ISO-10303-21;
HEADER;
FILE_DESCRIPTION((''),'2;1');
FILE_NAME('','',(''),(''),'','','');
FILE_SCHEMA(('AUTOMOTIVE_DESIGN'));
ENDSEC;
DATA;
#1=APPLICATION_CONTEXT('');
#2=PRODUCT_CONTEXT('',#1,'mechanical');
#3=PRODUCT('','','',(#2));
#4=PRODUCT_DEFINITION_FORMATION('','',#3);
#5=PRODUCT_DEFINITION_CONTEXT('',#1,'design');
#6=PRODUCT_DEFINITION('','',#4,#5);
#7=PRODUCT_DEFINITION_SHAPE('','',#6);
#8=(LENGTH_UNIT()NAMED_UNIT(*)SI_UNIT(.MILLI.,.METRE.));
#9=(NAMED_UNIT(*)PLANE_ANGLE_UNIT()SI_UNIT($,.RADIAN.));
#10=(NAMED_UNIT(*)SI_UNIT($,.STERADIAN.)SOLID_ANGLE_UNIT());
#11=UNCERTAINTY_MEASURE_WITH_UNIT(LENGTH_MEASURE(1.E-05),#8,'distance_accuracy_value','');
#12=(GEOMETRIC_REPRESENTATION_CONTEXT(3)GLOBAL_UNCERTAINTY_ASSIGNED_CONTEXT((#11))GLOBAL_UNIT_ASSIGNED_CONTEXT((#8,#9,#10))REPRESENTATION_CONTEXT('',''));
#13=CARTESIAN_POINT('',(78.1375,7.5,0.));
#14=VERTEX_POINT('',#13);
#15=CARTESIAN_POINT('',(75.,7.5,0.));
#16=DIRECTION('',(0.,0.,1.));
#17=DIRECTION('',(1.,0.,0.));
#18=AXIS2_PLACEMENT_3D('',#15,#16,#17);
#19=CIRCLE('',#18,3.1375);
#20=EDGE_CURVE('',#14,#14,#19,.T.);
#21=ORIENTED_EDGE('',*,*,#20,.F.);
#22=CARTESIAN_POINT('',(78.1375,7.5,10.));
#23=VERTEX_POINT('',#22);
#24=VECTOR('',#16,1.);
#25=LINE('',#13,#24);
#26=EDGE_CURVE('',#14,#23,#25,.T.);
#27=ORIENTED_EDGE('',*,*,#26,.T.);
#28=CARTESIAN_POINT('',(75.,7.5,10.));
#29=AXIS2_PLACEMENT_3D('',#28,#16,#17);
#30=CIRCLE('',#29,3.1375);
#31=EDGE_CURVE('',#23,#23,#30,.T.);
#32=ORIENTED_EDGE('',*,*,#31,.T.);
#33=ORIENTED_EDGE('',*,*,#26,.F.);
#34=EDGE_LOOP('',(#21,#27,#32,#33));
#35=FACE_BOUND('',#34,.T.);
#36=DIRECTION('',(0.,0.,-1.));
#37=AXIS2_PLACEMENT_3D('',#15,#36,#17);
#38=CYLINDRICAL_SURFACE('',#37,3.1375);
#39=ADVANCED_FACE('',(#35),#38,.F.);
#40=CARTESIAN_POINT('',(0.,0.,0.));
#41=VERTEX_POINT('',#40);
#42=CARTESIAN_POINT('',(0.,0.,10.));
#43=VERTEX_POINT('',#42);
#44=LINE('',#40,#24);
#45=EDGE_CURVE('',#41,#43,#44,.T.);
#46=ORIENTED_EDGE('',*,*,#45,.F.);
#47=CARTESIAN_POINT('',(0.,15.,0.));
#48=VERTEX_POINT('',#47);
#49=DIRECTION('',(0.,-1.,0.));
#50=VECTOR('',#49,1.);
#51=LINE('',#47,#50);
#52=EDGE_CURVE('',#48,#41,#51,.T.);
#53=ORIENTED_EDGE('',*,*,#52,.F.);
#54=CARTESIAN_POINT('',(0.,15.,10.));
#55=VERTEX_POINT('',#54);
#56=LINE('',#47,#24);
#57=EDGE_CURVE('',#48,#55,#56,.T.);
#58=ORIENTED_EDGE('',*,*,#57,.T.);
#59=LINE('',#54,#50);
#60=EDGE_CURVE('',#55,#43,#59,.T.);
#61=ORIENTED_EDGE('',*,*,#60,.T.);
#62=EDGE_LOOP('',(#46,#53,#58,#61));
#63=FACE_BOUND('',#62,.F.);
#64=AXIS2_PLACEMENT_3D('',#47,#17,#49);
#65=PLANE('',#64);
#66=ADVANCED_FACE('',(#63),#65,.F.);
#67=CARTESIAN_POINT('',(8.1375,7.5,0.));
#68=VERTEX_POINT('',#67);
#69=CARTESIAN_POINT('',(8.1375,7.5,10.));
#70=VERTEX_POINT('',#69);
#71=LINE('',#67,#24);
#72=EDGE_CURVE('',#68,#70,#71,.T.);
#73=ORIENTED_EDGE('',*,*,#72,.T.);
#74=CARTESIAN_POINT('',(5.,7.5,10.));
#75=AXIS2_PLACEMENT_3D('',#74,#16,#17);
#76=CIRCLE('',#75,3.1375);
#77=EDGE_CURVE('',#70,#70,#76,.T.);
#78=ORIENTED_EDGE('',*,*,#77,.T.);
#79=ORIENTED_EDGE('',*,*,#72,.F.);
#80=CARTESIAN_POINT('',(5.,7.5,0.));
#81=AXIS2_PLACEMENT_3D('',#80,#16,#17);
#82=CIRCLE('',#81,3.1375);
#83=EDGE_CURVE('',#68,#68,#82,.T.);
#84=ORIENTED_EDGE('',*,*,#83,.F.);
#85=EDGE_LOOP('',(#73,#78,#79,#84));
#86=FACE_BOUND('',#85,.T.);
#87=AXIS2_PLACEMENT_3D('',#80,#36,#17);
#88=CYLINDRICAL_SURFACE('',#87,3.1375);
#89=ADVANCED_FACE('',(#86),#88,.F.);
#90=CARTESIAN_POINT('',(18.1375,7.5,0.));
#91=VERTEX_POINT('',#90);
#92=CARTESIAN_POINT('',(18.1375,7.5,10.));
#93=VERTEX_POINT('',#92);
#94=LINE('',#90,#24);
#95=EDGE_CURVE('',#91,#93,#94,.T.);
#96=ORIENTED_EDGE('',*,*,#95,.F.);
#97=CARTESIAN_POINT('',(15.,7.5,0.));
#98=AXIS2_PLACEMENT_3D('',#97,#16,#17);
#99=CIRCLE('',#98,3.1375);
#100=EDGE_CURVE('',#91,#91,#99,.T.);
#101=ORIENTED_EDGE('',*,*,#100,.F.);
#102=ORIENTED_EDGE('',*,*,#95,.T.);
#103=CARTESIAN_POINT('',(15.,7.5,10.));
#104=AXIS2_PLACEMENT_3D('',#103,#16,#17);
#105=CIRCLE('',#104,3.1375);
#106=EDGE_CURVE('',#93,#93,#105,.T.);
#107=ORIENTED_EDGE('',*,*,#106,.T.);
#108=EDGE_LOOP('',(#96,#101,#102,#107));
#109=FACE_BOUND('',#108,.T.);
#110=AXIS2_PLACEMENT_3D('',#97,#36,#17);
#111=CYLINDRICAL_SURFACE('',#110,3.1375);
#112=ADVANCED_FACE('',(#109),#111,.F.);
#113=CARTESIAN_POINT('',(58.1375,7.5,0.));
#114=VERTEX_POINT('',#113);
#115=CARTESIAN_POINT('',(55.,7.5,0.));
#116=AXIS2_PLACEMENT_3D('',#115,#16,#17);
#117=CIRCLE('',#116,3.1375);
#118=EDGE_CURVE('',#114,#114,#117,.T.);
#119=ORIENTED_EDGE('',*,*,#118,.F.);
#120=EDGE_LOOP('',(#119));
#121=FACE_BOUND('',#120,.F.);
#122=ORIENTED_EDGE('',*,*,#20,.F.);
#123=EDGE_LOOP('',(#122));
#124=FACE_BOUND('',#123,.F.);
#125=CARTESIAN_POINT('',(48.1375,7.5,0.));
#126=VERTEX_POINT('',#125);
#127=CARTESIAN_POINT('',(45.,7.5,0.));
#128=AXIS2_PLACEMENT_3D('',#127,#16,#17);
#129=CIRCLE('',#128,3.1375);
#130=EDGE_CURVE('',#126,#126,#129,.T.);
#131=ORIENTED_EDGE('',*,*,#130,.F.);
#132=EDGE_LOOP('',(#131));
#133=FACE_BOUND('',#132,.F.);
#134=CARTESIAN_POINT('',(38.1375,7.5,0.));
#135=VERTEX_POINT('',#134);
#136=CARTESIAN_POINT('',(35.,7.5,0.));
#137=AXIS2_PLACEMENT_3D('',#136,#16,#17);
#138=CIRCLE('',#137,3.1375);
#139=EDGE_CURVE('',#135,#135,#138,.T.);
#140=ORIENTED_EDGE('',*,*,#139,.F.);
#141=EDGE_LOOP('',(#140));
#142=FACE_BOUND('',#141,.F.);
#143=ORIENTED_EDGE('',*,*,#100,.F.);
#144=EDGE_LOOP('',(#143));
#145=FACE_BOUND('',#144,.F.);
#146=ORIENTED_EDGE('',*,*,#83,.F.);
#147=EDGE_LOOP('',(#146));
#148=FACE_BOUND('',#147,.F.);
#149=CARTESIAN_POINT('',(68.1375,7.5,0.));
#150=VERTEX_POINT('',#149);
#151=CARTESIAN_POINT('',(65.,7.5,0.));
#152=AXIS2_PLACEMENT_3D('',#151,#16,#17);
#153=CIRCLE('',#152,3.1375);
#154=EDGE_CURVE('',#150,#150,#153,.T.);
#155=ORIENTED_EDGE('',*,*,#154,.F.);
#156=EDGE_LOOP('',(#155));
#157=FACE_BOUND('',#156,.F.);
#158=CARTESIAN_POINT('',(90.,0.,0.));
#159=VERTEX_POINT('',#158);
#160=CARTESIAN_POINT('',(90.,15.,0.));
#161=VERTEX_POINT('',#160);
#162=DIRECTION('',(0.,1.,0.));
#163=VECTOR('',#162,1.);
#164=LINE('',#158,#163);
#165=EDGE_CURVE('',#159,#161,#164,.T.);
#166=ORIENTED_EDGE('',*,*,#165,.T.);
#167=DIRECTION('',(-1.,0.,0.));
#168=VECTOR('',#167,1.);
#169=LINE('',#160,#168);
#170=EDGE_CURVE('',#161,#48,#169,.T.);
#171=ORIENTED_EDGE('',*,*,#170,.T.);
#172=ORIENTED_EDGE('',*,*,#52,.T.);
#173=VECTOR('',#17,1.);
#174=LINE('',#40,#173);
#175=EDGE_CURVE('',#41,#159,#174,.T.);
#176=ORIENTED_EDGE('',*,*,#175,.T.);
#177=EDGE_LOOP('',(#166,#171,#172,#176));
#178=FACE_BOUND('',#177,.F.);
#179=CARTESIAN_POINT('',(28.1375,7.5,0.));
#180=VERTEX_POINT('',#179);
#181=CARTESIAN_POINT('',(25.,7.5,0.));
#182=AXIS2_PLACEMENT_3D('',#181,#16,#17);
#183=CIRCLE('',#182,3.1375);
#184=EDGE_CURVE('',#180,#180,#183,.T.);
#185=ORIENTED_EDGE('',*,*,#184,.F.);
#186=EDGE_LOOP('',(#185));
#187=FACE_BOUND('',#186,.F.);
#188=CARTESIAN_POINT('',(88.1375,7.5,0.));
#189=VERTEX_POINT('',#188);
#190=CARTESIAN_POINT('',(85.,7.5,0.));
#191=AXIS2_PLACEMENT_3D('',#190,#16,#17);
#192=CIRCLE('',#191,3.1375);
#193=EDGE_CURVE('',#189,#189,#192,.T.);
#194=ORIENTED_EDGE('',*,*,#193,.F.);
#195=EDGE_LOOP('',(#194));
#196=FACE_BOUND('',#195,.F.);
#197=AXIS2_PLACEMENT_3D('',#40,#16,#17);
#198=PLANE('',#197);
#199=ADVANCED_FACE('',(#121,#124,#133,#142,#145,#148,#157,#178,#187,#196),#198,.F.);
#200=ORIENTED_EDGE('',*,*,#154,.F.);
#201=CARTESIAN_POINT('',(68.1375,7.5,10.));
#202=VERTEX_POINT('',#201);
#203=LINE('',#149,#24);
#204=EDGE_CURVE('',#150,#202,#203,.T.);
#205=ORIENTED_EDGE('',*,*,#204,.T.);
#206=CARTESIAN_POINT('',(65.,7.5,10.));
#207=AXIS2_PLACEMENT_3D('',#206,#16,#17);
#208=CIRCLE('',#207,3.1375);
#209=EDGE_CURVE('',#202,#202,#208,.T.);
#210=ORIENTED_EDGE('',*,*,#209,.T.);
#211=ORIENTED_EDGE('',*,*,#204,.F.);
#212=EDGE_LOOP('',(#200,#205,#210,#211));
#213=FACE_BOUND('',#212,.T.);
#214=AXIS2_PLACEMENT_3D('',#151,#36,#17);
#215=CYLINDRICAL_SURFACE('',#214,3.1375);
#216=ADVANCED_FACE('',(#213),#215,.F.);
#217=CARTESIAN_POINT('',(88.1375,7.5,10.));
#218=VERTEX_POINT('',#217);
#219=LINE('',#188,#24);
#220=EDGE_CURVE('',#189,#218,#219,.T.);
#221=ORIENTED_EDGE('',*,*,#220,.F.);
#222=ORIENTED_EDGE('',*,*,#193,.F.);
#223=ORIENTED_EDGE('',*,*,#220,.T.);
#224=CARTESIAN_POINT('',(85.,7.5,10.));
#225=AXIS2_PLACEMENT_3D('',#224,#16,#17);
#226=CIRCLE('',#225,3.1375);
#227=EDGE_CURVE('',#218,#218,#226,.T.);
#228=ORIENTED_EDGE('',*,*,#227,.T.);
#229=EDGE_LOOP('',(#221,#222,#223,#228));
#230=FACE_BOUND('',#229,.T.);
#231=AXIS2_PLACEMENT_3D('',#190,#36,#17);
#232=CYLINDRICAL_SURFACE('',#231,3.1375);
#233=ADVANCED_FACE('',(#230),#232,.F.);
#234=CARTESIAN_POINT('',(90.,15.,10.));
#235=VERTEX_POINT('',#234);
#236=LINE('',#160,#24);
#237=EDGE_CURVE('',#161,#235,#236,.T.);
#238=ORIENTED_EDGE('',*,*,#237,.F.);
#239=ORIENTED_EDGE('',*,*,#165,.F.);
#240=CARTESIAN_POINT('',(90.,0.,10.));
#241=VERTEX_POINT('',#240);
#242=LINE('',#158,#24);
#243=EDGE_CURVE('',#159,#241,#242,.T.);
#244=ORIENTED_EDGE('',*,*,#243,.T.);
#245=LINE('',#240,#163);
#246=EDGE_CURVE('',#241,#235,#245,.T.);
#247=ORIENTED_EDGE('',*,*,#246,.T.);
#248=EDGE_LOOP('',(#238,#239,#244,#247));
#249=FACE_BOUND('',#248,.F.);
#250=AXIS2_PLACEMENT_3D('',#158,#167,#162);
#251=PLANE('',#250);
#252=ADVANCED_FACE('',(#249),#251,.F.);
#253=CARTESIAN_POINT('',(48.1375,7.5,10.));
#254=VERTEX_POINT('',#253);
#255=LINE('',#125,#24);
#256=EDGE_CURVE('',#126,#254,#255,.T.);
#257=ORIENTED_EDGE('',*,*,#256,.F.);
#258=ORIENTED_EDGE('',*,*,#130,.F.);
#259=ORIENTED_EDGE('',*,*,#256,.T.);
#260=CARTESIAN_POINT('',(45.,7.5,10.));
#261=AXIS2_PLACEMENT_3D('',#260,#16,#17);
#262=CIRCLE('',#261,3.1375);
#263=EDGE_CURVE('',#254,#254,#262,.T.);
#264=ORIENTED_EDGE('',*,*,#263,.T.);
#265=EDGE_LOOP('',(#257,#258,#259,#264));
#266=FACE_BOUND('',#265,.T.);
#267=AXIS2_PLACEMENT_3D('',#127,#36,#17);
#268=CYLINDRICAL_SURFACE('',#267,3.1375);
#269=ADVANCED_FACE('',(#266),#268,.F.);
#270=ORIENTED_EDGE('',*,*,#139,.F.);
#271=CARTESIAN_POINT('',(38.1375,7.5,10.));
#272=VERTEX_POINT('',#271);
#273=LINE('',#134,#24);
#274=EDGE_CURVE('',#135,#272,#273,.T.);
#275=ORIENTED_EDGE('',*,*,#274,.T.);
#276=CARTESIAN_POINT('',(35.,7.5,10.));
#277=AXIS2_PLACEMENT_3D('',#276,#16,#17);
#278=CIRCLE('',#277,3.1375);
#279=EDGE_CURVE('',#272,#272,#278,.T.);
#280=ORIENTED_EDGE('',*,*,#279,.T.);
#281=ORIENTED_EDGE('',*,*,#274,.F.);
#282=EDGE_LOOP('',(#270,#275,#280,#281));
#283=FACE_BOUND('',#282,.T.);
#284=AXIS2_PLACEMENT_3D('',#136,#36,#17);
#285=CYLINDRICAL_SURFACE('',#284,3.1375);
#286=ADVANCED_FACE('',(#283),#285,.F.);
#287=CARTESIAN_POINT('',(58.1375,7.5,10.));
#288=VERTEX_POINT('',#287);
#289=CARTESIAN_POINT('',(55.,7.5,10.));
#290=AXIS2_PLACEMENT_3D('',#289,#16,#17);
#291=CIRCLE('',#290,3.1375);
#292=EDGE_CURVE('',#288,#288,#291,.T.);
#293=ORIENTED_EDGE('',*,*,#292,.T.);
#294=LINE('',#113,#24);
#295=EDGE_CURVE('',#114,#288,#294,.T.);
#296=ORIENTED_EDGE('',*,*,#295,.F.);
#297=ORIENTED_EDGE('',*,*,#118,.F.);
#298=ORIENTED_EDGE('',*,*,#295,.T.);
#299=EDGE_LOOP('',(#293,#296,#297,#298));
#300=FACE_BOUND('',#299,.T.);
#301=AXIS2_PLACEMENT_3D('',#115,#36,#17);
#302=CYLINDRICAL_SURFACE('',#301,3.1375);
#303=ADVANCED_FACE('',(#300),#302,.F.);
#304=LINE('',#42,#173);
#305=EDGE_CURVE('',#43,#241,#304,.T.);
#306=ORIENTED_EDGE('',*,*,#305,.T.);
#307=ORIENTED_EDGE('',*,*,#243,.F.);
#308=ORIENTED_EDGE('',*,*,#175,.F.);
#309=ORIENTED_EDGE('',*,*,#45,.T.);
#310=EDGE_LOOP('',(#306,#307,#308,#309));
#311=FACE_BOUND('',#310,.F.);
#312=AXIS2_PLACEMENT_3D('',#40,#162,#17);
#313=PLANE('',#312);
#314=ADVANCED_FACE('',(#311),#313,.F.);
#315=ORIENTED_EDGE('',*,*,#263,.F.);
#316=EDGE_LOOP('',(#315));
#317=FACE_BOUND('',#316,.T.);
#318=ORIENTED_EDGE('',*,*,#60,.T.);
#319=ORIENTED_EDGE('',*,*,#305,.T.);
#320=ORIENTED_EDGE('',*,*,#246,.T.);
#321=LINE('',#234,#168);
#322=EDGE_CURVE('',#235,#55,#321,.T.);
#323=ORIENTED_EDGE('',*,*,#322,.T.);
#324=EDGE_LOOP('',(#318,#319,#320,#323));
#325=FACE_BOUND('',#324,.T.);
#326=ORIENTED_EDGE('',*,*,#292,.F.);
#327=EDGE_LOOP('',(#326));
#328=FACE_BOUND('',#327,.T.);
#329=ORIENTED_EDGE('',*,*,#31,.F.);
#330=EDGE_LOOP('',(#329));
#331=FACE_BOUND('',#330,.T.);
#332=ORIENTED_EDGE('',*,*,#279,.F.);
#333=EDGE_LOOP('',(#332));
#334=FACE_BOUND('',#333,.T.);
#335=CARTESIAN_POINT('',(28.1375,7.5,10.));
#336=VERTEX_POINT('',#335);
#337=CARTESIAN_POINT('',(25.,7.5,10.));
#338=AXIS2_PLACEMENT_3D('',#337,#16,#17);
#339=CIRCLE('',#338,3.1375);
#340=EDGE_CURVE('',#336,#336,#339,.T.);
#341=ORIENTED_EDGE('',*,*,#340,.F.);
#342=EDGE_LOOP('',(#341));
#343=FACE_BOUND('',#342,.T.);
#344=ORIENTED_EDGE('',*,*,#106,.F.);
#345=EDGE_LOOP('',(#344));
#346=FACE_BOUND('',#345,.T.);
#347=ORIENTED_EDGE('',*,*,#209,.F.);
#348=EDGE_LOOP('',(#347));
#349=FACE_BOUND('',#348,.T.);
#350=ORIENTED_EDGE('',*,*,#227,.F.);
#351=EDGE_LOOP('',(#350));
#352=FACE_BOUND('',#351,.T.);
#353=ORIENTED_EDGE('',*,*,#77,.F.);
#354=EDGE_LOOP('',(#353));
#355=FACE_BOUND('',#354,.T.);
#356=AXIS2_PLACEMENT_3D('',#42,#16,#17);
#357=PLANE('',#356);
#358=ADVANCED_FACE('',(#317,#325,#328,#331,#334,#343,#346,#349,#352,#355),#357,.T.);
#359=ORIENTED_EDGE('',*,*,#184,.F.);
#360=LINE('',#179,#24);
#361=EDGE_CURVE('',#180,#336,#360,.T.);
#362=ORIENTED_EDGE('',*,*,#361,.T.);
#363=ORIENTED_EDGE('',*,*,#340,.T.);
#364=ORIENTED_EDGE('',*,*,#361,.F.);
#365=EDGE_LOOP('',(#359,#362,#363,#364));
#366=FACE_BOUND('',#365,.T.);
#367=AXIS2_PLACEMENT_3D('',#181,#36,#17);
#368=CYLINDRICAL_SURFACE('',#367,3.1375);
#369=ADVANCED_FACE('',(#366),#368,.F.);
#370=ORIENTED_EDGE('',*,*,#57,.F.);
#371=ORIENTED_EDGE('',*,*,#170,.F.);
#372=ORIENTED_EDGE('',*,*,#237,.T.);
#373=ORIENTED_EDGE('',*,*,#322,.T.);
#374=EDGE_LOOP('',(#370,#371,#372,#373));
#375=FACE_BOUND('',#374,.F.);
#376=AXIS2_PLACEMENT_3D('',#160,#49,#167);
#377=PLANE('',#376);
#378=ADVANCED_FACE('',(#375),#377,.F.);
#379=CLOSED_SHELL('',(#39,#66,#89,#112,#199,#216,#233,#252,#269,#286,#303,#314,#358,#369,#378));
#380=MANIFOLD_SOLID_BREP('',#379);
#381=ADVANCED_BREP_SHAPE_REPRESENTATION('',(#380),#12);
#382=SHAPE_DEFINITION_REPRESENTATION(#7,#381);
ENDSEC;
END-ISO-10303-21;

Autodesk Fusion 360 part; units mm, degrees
sketch "Sketch1" plane through (0, 0, 0) normal (0, 0, 1) x (1, 0, 0)
  line L0 (0, 0) -> (90, 0)
  line L1 (90, 0) -> (90, 15)
  line L2 (90, 15) -> (0, 15)
  line L3 (0, 15) -> (0, 0)
  line L4 (70, 15) -> (70, 0) construction
  line L5 (60, 15) -> (60, 0) construction
  line L6 (50, 15) -> (50, 0) construction
  line L7 (40, 15) -> (40, 0) construction
  line L8 (30, 15) -> (30, 0) construction
  line L9 (20, 15) -> (20, 0) construction
  line L10 (10, 15) -> (10, 0) construction
  line L11 (80, 15) -> (80, 0) construction
  line L12 (90, 15) -> (80, 0) construction
  line L13 (80, 15) -> (90, 0) construction
  line L14 (80, 15) -> (70, 0) construction
  line L15 (70, 15) -> (80, 0) construction
  line L16 (70, 15) -> (60, 0) construction
  line L17 (60, 15) -> (70, 0) construction
  line L18 (60, 15) -> (50, 0) construction
  line L19 (50, 15) -> (60, 0) construction
  line L20 (50, 15) -> (40, 0) construction
  line L21 (40, 15) -> (50, 0) construction
  line L22 (40, 15) -> (30, 0) construction
  line L23 (30, 15) -> (40, 0) construction
  line L24 (30, 15) -> (20, 0) construction
  line L25 (20, 15) -> (30, 0) construction
  line L26 (20, 15) -> (10, 0) construction
  line L27 (10, 15) -> (20, 0) construction
  line L28 (10, 15) -> (0, 0) construction
  line L29 (0, 15) -> (10, 0) construction
  circle A0 centre (5, 7.5) radius 3.1375
  circle A1 centre (15, 7.5) radius 3.1375
  circle A2 centre (25, 7.5) radius 3.1375
  circle A3 centre (35, 7.5) radius 3.1375
  circle A4 centre (45, 7.5) radius 3.1375
  circle A5 centre (55, 7.5) radius 3.1375
  circle A6 centre (65, 7.5) radius 3.1375
  circle A7 centre (75, 7.5) radius 3.1375
  circle A8 centre (85, 7.5) radius 3.1375
  dimension "d1" = 90
  dimension "d2" = 15
  dimension "d3" = 10
  dimension "d4" = 10
  dimension "d5" = 10
  dimension "d6" = 10
  dimension "d7" = 10
  dimension "d8" = 10
  dimension "d9" = 10
  dimension "d10" = 10
  dimension "d11" = 6.275
  dimension "d12" = 6.275
  dimension "d13" = 6.275
  dimension "d14" = 6.275
  dimension "d15" = 6.275
  dimension "d16" = 6.275
  dimension "d17" = 6.275
  dimension "d18" = 6.275
  dimension "d19" = 6.275
extrude "Extrude1" add sketch "Sketch1" along normal blind 10
